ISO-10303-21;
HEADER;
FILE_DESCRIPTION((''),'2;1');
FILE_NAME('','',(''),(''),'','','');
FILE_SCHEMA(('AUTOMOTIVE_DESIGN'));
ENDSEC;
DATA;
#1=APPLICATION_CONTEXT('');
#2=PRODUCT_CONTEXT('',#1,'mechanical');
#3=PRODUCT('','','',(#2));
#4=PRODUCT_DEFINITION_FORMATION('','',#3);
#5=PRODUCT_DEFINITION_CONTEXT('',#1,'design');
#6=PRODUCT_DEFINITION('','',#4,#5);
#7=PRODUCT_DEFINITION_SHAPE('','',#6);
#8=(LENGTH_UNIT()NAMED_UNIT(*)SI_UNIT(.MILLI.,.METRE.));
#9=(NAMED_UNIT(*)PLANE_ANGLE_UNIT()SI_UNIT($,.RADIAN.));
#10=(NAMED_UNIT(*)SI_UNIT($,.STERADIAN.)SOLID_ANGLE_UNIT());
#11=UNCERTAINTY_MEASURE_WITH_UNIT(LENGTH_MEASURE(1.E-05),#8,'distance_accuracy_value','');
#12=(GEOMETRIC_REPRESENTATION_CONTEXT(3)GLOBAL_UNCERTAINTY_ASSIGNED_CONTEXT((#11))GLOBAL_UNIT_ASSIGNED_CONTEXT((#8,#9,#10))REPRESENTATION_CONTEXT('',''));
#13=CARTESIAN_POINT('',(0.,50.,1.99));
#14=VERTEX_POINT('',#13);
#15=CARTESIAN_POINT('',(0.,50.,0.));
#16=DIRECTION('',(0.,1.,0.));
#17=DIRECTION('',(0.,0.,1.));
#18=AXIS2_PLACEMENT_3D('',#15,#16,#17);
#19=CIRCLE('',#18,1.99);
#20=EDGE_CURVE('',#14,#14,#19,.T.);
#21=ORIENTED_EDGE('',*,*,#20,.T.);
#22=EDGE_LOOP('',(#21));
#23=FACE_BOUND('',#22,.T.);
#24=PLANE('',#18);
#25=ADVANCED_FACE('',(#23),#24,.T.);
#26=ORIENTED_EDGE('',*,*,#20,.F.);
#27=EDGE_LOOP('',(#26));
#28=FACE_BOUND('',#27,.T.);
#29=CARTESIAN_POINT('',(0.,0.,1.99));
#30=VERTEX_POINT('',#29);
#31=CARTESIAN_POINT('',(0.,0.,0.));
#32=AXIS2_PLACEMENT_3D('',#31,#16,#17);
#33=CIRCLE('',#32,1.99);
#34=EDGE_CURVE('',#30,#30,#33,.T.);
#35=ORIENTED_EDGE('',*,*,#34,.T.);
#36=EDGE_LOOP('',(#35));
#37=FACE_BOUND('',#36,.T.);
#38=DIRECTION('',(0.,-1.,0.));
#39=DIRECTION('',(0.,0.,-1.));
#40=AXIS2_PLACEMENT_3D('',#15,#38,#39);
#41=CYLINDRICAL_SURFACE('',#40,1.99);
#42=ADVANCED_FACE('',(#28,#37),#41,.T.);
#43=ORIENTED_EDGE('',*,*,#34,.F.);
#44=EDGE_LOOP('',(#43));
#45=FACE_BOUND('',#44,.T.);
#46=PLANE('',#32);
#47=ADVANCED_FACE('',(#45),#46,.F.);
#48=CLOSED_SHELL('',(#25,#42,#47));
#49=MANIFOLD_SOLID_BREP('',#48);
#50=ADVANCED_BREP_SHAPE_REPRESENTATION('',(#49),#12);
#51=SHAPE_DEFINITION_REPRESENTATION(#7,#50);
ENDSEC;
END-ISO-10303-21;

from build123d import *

# Parameters (mm, degrees)
SKETCH_2_R      = 1.99
EXTRUDE_3_DEPTH = 50


with BuildPart() as part:
    # 草图2 → 凸台-拉伸3 (new body)
    with BuildSketch(Plane(origin=(0, 0, 0), x_dir=(1, 0, 0), z_dir=(0, 1, 0))):
        with Locations(Location((0, 0, 0), (0, 0, 270))):
            Circle(SKETCH_2_R)
    extrude(amount=EXTRUDE_3_DEPTH)


solid = part.part
